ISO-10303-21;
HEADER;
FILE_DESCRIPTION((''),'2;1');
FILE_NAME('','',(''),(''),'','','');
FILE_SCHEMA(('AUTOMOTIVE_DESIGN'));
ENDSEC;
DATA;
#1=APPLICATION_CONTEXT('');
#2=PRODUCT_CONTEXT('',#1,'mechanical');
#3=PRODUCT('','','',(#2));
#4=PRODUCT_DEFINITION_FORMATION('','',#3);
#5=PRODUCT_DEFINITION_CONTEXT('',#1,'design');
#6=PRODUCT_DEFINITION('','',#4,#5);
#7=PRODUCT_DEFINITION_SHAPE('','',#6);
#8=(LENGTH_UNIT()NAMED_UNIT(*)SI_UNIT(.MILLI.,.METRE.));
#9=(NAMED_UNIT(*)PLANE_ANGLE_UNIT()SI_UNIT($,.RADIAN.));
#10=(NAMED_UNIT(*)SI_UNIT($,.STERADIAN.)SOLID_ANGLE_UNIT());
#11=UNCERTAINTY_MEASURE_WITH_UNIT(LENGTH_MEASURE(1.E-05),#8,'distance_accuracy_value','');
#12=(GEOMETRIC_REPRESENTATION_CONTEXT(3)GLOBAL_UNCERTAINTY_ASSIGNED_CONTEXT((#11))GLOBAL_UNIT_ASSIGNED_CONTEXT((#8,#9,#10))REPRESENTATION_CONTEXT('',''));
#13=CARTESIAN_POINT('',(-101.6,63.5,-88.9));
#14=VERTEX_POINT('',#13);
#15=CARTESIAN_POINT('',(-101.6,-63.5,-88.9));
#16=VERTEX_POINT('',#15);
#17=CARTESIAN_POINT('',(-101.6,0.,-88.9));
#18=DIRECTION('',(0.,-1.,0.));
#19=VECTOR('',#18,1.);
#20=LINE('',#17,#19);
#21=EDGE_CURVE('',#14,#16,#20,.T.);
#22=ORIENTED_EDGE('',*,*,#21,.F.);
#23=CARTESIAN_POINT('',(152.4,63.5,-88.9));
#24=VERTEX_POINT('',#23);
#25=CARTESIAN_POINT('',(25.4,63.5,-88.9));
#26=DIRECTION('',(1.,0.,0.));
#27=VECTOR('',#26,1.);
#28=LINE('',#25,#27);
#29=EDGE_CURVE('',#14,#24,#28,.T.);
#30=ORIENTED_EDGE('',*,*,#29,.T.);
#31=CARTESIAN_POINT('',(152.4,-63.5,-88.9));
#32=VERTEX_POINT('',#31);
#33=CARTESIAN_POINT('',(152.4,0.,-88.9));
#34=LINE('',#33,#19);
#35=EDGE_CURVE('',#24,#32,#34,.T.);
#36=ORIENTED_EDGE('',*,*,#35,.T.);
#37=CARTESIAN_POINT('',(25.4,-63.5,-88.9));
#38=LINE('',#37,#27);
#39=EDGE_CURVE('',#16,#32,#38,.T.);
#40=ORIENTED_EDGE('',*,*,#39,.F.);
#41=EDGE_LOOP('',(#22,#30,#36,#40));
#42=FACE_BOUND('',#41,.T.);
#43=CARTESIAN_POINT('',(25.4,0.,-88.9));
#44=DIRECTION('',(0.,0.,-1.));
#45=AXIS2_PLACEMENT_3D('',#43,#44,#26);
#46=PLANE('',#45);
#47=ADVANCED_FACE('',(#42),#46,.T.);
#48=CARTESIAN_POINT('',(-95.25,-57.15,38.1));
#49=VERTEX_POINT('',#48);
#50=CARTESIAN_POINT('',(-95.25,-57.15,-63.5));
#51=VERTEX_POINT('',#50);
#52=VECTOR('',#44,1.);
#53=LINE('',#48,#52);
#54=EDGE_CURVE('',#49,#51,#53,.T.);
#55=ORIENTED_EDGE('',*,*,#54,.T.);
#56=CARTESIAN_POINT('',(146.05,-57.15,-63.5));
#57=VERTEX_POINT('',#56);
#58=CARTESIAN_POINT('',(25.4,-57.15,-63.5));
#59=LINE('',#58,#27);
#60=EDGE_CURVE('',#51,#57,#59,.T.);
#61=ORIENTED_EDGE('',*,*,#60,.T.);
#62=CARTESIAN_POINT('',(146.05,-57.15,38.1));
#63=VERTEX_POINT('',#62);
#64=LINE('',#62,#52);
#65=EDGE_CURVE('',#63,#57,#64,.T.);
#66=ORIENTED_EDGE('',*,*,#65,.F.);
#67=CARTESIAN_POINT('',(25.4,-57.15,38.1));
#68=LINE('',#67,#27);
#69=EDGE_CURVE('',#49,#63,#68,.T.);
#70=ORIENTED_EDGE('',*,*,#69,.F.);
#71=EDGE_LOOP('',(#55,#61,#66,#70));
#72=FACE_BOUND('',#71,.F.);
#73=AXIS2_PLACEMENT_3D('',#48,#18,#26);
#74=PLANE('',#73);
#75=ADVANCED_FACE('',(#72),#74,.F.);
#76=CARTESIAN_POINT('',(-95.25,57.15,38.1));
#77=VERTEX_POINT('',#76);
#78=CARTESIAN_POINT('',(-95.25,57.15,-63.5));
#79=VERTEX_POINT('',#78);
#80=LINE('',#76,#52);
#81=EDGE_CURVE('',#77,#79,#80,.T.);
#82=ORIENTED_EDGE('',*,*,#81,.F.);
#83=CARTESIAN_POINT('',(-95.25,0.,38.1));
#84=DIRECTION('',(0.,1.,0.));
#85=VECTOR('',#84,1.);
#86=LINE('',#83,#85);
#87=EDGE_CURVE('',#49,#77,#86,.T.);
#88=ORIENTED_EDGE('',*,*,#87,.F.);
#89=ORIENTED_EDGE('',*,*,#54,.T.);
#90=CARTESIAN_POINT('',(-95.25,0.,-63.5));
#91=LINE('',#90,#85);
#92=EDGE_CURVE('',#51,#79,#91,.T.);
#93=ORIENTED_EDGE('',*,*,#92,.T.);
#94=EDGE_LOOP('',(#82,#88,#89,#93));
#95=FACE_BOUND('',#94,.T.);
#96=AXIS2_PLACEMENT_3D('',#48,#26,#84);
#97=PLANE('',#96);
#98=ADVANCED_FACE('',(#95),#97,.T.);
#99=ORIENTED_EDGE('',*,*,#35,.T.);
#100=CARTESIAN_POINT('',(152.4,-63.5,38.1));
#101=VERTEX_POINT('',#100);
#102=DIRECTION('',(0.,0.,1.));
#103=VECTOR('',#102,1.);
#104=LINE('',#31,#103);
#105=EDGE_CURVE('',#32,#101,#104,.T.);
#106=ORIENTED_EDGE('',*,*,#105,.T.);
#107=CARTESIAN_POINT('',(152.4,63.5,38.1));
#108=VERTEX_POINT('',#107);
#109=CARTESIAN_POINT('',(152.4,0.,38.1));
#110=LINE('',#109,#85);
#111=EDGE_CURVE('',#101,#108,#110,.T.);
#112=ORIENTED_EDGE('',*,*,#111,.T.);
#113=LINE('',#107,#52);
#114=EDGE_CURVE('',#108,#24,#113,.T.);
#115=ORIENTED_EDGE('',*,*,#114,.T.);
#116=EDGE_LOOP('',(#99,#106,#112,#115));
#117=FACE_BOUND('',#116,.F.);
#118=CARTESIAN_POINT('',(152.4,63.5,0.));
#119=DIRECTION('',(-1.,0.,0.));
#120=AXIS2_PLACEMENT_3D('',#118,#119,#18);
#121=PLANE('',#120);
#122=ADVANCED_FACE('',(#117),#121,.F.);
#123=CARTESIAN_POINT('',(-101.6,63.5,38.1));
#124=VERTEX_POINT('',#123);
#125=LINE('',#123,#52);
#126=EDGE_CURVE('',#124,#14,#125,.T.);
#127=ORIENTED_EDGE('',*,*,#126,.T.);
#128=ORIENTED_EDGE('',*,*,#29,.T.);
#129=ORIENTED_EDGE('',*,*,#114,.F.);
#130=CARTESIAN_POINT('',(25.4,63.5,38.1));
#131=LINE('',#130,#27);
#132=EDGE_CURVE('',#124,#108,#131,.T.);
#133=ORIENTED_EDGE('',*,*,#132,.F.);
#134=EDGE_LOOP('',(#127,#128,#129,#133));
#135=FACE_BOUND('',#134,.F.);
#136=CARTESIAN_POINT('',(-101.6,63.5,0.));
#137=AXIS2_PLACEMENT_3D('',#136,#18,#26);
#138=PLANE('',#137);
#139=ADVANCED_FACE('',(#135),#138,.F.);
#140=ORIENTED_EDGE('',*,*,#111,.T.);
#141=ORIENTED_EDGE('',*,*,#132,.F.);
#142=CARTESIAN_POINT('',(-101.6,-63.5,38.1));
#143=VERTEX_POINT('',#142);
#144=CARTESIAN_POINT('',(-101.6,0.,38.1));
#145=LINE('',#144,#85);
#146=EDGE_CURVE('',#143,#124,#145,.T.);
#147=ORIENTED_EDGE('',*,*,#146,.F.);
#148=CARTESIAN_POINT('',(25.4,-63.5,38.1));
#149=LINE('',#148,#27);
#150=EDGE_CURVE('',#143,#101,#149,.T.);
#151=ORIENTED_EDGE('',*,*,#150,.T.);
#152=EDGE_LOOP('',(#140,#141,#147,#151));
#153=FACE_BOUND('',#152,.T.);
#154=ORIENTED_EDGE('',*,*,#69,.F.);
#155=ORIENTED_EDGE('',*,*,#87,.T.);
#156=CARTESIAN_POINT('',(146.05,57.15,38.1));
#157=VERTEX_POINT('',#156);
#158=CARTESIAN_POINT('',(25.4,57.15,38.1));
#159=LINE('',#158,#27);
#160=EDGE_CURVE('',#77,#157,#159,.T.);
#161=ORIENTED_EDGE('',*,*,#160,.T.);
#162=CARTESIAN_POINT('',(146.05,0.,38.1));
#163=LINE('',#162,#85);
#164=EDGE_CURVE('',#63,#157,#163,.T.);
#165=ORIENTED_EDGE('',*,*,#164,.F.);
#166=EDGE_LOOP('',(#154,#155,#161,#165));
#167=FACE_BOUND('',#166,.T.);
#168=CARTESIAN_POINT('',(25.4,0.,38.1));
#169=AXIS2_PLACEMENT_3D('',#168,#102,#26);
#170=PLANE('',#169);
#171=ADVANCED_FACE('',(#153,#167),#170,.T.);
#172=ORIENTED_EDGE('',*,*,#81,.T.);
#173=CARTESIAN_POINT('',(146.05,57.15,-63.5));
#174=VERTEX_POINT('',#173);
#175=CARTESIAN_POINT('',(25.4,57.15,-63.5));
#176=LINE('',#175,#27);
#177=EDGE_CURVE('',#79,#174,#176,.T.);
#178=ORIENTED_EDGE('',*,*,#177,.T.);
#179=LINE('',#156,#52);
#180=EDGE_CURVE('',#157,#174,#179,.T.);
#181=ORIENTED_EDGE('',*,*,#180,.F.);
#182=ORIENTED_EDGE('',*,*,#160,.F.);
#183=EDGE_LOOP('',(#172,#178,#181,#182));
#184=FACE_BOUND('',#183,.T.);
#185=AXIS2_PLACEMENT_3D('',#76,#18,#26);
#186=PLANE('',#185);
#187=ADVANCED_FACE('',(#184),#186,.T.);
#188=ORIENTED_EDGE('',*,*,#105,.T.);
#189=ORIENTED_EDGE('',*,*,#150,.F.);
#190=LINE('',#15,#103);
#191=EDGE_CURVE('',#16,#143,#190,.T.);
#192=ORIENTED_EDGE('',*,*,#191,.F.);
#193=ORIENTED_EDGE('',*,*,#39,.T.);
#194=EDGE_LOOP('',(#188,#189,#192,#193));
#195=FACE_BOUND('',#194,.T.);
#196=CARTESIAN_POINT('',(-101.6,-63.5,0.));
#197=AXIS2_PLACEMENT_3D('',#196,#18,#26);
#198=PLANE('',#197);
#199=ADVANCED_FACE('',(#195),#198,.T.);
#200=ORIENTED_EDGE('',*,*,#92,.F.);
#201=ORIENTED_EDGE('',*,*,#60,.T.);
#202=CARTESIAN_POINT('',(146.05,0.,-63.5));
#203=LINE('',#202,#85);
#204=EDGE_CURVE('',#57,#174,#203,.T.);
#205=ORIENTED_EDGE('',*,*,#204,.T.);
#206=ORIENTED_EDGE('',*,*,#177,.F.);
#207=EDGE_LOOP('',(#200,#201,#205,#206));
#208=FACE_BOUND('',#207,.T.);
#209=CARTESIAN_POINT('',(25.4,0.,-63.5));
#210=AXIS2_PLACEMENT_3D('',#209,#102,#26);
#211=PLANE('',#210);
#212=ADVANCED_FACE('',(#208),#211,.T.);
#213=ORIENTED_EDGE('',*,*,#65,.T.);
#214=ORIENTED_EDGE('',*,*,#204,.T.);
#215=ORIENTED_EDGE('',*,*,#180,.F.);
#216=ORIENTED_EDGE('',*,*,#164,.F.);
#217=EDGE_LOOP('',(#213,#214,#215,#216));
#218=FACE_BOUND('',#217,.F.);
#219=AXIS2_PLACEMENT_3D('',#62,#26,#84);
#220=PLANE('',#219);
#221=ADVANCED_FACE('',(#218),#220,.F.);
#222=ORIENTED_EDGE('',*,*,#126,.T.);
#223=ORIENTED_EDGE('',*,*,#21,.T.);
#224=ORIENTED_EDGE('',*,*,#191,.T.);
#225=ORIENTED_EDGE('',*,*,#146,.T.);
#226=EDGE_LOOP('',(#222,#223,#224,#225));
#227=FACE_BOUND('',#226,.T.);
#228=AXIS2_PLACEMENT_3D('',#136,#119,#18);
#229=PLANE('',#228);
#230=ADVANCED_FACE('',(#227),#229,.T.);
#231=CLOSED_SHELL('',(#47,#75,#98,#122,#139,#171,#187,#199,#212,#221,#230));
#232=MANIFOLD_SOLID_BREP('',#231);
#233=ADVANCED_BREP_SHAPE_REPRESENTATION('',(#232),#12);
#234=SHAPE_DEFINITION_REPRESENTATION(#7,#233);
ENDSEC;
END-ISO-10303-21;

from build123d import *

# Parameters (mm, degrees)
F0_W      = 254
F0_H      = 127
F1_DEPTH  = 38.1
F1_FACE_W = 254
F1_FACE_H = 127
F2_DEPTH  = 88.9
F3_W      = 241.3
F3_H      = 114.3
F4_DEPTH  = 101.6


with BuildPart() as f1:
    # F0 (on Top) → F1 (new body)
    with BuildSketch(Plane.XY):
        with Locations((25.4, 0)):
            Rectangle(F0_W, F0_H)
    extrude(amount=F1_DEPTH)

    # F1_face (on face) + F0 (on Top) → F2 (join)
    with BuildSketch(Plane(origin=(25.4, 0, 0), x_dir=(1, 0, 0), z_dir=(0, 0, -1))):
        Rectangle(F1_FACE_W, F1_FACE_H)
    with BuildSketch(Plane.XY):
        with Locations((25.4, 0)):
            Rectangle(F0_W, F0_H)
    extrude(amount=F2_DEPTH, dir=(0, 0, -1))

    # F3 (on face) → F4 (cut)
    with BuildSketch(Plane.XY.offset(38.1)):
        with Locations((25.4, 0)):
            Rectangle(F3_W, F3_H)
    extrude(amount=-F4_DEPTH, mode=Mode.SUBTRACT)


solid = f1.part
